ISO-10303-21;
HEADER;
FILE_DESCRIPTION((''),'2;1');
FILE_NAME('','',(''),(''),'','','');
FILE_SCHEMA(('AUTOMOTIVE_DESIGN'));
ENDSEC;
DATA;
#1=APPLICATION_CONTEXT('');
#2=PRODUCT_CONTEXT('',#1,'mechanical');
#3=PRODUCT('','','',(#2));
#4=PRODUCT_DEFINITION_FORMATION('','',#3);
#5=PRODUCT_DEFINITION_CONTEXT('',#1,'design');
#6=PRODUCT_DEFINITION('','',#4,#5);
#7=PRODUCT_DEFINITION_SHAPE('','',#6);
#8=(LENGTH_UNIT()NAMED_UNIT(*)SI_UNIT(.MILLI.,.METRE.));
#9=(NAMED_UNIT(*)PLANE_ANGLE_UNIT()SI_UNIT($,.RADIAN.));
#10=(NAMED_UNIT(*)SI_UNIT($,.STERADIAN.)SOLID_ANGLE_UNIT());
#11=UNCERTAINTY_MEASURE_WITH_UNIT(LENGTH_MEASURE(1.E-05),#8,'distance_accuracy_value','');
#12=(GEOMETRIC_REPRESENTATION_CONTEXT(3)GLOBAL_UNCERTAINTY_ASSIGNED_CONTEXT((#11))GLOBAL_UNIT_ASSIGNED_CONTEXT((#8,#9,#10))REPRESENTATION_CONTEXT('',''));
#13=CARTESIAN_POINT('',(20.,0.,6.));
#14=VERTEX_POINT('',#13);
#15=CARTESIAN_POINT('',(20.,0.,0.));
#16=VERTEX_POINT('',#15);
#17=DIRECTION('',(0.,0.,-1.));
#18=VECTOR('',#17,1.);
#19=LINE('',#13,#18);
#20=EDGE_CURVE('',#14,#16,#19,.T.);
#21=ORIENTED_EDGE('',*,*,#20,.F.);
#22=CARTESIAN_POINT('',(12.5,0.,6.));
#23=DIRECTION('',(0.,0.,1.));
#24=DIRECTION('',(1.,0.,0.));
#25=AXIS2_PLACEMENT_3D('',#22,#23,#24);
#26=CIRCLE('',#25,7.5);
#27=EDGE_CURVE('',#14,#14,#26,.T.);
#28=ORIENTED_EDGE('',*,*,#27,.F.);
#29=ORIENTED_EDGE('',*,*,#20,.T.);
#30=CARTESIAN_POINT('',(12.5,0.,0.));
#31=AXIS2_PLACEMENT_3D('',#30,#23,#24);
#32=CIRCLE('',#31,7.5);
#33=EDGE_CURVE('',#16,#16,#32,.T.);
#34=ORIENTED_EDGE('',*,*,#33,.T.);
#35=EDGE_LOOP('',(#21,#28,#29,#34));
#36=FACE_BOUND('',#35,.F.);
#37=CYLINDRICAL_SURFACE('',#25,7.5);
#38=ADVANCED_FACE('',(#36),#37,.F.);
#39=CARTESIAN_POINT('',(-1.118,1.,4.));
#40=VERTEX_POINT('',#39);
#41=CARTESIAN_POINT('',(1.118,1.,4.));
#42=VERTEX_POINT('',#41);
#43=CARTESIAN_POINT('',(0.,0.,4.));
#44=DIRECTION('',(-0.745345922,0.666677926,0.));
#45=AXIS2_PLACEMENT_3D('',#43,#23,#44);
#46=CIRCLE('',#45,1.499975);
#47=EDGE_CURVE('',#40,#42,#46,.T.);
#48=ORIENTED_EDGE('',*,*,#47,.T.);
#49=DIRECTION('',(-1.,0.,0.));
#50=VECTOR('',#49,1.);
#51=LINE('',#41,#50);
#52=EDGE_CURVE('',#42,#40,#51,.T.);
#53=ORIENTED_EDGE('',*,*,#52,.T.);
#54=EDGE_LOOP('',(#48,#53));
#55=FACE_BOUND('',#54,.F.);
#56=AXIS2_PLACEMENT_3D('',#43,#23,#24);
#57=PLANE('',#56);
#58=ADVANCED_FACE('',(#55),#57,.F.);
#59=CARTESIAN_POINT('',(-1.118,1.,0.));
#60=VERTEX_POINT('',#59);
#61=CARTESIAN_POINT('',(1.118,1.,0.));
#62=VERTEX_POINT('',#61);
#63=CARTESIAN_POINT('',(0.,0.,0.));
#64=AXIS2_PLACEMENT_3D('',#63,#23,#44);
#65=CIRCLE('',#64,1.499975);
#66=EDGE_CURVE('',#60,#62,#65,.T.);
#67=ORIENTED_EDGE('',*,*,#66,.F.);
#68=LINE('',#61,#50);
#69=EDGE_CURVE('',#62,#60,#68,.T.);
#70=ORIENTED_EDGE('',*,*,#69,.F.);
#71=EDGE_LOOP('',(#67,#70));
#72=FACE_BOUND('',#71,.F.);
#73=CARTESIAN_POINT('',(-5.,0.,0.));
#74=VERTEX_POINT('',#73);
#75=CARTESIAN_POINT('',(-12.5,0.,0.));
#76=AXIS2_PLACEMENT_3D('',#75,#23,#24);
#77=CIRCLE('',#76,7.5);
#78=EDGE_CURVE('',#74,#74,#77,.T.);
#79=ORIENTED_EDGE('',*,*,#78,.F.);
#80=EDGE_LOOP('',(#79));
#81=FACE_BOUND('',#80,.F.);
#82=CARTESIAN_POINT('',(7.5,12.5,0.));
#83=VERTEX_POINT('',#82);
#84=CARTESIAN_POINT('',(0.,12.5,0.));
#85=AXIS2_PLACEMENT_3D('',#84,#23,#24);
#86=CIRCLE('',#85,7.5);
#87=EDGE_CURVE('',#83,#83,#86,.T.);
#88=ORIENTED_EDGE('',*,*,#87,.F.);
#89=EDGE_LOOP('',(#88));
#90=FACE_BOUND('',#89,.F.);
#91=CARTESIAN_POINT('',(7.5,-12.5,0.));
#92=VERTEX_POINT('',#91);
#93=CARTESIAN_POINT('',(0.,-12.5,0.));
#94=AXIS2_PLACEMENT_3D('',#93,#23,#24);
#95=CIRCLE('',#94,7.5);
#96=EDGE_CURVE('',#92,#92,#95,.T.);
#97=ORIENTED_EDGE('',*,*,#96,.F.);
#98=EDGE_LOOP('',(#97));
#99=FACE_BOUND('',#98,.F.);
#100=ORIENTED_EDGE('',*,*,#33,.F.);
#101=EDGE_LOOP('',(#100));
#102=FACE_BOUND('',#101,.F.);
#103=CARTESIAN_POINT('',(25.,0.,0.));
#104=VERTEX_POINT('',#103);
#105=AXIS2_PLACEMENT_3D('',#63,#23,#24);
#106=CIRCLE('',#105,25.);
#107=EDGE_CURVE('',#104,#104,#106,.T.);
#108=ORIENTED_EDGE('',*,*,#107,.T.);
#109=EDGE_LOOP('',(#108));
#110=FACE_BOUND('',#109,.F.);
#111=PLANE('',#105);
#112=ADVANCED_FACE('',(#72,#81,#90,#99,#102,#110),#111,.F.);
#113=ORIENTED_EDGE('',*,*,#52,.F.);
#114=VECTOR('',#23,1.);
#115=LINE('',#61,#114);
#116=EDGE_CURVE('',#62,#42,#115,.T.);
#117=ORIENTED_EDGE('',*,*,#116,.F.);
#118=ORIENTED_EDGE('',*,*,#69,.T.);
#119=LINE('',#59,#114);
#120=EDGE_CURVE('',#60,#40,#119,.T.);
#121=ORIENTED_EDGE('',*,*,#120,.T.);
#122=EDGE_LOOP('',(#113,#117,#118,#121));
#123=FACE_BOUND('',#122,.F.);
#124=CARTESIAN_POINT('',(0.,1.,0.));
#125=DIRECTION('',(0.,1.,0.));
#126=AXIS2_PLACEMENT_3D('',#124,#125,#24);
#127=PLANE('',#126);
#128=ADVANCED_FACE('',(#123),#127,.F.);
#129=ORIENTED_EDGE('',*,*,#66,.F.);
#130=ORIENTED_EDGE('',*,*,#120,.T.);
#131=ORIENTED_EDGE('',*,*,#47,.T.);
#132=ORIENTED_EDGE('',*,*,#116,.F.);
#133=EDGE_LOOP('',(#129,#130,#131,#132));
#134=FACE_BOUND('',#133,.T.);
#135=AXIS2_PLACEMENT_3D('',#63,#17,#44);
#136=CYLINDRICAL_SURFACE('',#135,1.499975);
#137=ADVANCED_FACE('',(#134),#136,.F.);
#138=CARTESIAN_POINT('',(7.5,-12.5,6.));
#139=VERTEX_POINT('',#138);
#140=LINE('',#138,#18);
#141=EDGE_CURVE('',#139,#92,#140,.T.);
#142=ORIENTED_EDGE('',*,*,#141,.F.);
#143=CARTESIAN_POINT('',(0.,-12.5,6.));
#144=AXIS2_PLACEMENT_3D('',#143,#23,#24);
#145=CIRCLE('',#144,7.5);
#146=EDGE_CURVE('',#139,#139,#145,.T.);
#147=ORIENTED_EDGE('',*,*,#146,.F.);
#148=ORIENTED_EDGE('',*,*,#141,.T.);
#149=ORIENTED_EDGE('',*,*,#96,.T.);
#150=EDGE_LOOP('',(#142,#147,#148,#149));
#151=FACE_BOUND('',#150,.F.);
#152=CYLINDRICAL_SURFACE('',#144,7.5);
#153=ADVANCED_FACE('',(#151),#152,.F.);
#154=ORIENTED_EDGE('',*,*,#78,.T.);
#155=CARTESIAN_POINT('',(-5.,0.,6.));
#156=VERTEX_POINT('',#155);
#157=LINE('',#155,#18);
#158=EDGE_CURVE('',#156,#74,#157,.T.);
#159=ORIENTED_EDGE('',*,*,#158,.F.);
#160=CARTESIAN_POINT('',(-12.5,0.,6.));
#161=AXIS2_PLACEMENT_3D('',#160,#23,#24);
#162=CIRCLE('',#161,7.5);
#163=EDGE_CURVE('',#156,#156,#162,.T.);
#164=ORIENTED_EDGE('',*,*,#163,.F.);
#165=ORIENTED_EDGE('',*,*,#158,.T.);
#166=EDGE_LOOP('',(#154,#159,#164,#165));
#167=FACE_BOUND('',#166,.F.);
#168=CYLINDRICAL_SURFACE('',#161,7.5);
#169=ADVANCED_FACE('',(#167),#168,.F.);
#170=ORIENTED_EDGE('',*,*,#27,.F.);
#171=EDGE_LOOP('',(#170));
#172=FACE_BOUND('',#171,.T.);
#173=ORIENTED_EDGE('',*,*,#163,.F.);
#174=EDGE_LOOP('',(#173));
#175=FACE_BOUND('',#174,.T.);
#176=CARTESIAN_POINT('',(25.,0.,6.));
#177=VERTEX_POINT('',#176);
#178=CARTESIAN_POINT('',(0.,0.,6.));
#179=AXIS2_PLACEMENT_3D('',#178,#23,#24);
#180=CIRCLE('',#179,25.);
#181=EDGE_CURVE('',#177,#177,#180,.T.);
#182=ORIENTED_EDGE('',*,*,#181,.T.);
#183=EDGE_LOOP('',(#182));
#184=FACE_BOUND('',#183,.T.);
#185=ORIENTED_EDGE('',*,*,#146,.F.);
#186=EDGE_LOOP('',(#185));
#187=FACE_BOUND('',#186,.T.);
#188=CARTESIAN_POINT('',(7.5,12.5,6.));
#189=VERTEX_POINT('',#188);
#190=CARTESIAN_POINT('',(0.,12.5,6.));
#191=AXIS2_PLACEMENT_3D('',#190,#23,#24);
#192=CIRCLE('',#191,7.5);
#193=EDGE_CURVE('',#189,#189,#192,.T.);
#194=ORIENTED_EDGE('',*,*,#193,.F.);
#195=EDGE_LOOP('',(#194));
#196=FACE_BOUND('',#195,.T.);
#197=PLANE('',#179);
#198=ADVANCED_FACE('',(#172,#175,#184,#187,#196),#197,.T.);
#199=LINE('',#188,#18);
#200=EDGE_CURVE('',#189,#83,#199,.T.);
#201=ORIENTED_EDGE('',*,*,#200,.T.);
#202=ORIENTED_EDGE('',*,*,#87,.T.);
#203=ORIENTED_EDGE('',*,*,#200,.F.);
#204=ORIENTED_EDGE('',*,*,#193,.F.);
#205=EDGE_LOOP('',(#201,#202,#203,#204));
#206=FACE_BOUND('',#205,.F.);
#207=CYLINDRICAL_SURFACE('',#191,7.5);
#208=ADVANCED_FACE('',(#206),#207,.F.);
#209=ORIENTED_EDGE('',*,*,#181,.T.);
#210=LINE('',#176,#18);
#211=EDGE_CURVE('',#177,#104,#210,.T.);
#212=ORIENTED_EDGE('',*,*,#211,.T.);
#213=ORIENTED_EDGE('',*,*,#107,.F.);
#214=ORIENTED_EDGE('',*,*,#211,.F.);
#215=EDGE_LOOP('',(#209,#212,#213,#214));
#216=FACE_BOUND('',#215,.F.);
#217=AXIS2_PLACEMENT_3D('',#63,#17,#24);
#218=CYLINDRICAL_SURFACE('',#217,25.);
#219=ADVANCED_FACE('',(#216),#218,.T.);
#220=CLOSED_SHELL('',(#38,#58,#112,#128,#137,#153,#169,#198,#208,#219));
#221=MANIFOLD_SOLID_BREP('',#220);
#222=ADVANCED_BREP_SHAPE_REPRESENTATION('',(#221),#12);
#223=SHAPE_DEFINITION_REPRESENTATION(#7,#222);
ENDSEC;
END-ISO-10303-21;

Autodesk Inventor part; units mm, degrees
ref_plane "YZ Plane" through (0, 0, 0) normal (1, 0, 0) x (0, 1, 0)
ref_plane "XZ Plane" through (0, 0, 0) normal (0, 1, 0) x (-1, 0, 0)
ref_plane "XY Plane" through (0, 0, 0) normal (0, 0, 1) x (1, 0, 0)
sketch "Sketch1" plane through (0, 0, 0) normal (0, 0, 1) x (1, 0, 0)
  circle A0 centre (0, 0) radius 25
  arc A1 (-1.118, 1) -> (1.118, 1) centre (0, 0) ccw
  line L0 (0, 1) -> (1.118, 1)
  line L1 (1.118, 1) -> (0, 1)
  line L2 (0, 1) -> (-1.118, 1)
  dimension "d0" = 50
  dimension "d3" = 1
  dimension "d4" = 1.5
  dimension "d5" = 2.2361
  dimension "d6" = 1.118
extrude "Extrusion1" add sketch "Sketch1" along normal blind 4
sketch "Sketch2" plane through (0, 0, 4) normal (0, 0, 1) x (1, 0, 0)
  circle A0 centre (0, 0) radius 25 projected
  circle A1 centre (0, 0) radius 25
extrude "Extrusion2" add sketch "Sketch2" along normal blind 2
sketch "Sketch3" plane through (0, 0, 0) normal (0, 0, -1) x (-1, 0, 0)
  point P0 (0, 0)
sketch "Sketch4" plane through (0, 0, 6) normal (0, 0, 1) x (1, 0, 0)
  circle A0 centre (12.5, 0) radius 7.5
  circle A1 centre (0, 12.5) radius 7.5
  circle A2 centre (-12.5, 0) radius 7.5
  circle A3 centre (0, -12.5) radius 7.5
  point P0 (0, 0)
  dimension "d14" = 15
  dimension "d15" = 12.5
  dimension "d18" = 360
extrude "Extrusion3" cut sketch "Sketch4" against normal through all
properties part number "wheel"
